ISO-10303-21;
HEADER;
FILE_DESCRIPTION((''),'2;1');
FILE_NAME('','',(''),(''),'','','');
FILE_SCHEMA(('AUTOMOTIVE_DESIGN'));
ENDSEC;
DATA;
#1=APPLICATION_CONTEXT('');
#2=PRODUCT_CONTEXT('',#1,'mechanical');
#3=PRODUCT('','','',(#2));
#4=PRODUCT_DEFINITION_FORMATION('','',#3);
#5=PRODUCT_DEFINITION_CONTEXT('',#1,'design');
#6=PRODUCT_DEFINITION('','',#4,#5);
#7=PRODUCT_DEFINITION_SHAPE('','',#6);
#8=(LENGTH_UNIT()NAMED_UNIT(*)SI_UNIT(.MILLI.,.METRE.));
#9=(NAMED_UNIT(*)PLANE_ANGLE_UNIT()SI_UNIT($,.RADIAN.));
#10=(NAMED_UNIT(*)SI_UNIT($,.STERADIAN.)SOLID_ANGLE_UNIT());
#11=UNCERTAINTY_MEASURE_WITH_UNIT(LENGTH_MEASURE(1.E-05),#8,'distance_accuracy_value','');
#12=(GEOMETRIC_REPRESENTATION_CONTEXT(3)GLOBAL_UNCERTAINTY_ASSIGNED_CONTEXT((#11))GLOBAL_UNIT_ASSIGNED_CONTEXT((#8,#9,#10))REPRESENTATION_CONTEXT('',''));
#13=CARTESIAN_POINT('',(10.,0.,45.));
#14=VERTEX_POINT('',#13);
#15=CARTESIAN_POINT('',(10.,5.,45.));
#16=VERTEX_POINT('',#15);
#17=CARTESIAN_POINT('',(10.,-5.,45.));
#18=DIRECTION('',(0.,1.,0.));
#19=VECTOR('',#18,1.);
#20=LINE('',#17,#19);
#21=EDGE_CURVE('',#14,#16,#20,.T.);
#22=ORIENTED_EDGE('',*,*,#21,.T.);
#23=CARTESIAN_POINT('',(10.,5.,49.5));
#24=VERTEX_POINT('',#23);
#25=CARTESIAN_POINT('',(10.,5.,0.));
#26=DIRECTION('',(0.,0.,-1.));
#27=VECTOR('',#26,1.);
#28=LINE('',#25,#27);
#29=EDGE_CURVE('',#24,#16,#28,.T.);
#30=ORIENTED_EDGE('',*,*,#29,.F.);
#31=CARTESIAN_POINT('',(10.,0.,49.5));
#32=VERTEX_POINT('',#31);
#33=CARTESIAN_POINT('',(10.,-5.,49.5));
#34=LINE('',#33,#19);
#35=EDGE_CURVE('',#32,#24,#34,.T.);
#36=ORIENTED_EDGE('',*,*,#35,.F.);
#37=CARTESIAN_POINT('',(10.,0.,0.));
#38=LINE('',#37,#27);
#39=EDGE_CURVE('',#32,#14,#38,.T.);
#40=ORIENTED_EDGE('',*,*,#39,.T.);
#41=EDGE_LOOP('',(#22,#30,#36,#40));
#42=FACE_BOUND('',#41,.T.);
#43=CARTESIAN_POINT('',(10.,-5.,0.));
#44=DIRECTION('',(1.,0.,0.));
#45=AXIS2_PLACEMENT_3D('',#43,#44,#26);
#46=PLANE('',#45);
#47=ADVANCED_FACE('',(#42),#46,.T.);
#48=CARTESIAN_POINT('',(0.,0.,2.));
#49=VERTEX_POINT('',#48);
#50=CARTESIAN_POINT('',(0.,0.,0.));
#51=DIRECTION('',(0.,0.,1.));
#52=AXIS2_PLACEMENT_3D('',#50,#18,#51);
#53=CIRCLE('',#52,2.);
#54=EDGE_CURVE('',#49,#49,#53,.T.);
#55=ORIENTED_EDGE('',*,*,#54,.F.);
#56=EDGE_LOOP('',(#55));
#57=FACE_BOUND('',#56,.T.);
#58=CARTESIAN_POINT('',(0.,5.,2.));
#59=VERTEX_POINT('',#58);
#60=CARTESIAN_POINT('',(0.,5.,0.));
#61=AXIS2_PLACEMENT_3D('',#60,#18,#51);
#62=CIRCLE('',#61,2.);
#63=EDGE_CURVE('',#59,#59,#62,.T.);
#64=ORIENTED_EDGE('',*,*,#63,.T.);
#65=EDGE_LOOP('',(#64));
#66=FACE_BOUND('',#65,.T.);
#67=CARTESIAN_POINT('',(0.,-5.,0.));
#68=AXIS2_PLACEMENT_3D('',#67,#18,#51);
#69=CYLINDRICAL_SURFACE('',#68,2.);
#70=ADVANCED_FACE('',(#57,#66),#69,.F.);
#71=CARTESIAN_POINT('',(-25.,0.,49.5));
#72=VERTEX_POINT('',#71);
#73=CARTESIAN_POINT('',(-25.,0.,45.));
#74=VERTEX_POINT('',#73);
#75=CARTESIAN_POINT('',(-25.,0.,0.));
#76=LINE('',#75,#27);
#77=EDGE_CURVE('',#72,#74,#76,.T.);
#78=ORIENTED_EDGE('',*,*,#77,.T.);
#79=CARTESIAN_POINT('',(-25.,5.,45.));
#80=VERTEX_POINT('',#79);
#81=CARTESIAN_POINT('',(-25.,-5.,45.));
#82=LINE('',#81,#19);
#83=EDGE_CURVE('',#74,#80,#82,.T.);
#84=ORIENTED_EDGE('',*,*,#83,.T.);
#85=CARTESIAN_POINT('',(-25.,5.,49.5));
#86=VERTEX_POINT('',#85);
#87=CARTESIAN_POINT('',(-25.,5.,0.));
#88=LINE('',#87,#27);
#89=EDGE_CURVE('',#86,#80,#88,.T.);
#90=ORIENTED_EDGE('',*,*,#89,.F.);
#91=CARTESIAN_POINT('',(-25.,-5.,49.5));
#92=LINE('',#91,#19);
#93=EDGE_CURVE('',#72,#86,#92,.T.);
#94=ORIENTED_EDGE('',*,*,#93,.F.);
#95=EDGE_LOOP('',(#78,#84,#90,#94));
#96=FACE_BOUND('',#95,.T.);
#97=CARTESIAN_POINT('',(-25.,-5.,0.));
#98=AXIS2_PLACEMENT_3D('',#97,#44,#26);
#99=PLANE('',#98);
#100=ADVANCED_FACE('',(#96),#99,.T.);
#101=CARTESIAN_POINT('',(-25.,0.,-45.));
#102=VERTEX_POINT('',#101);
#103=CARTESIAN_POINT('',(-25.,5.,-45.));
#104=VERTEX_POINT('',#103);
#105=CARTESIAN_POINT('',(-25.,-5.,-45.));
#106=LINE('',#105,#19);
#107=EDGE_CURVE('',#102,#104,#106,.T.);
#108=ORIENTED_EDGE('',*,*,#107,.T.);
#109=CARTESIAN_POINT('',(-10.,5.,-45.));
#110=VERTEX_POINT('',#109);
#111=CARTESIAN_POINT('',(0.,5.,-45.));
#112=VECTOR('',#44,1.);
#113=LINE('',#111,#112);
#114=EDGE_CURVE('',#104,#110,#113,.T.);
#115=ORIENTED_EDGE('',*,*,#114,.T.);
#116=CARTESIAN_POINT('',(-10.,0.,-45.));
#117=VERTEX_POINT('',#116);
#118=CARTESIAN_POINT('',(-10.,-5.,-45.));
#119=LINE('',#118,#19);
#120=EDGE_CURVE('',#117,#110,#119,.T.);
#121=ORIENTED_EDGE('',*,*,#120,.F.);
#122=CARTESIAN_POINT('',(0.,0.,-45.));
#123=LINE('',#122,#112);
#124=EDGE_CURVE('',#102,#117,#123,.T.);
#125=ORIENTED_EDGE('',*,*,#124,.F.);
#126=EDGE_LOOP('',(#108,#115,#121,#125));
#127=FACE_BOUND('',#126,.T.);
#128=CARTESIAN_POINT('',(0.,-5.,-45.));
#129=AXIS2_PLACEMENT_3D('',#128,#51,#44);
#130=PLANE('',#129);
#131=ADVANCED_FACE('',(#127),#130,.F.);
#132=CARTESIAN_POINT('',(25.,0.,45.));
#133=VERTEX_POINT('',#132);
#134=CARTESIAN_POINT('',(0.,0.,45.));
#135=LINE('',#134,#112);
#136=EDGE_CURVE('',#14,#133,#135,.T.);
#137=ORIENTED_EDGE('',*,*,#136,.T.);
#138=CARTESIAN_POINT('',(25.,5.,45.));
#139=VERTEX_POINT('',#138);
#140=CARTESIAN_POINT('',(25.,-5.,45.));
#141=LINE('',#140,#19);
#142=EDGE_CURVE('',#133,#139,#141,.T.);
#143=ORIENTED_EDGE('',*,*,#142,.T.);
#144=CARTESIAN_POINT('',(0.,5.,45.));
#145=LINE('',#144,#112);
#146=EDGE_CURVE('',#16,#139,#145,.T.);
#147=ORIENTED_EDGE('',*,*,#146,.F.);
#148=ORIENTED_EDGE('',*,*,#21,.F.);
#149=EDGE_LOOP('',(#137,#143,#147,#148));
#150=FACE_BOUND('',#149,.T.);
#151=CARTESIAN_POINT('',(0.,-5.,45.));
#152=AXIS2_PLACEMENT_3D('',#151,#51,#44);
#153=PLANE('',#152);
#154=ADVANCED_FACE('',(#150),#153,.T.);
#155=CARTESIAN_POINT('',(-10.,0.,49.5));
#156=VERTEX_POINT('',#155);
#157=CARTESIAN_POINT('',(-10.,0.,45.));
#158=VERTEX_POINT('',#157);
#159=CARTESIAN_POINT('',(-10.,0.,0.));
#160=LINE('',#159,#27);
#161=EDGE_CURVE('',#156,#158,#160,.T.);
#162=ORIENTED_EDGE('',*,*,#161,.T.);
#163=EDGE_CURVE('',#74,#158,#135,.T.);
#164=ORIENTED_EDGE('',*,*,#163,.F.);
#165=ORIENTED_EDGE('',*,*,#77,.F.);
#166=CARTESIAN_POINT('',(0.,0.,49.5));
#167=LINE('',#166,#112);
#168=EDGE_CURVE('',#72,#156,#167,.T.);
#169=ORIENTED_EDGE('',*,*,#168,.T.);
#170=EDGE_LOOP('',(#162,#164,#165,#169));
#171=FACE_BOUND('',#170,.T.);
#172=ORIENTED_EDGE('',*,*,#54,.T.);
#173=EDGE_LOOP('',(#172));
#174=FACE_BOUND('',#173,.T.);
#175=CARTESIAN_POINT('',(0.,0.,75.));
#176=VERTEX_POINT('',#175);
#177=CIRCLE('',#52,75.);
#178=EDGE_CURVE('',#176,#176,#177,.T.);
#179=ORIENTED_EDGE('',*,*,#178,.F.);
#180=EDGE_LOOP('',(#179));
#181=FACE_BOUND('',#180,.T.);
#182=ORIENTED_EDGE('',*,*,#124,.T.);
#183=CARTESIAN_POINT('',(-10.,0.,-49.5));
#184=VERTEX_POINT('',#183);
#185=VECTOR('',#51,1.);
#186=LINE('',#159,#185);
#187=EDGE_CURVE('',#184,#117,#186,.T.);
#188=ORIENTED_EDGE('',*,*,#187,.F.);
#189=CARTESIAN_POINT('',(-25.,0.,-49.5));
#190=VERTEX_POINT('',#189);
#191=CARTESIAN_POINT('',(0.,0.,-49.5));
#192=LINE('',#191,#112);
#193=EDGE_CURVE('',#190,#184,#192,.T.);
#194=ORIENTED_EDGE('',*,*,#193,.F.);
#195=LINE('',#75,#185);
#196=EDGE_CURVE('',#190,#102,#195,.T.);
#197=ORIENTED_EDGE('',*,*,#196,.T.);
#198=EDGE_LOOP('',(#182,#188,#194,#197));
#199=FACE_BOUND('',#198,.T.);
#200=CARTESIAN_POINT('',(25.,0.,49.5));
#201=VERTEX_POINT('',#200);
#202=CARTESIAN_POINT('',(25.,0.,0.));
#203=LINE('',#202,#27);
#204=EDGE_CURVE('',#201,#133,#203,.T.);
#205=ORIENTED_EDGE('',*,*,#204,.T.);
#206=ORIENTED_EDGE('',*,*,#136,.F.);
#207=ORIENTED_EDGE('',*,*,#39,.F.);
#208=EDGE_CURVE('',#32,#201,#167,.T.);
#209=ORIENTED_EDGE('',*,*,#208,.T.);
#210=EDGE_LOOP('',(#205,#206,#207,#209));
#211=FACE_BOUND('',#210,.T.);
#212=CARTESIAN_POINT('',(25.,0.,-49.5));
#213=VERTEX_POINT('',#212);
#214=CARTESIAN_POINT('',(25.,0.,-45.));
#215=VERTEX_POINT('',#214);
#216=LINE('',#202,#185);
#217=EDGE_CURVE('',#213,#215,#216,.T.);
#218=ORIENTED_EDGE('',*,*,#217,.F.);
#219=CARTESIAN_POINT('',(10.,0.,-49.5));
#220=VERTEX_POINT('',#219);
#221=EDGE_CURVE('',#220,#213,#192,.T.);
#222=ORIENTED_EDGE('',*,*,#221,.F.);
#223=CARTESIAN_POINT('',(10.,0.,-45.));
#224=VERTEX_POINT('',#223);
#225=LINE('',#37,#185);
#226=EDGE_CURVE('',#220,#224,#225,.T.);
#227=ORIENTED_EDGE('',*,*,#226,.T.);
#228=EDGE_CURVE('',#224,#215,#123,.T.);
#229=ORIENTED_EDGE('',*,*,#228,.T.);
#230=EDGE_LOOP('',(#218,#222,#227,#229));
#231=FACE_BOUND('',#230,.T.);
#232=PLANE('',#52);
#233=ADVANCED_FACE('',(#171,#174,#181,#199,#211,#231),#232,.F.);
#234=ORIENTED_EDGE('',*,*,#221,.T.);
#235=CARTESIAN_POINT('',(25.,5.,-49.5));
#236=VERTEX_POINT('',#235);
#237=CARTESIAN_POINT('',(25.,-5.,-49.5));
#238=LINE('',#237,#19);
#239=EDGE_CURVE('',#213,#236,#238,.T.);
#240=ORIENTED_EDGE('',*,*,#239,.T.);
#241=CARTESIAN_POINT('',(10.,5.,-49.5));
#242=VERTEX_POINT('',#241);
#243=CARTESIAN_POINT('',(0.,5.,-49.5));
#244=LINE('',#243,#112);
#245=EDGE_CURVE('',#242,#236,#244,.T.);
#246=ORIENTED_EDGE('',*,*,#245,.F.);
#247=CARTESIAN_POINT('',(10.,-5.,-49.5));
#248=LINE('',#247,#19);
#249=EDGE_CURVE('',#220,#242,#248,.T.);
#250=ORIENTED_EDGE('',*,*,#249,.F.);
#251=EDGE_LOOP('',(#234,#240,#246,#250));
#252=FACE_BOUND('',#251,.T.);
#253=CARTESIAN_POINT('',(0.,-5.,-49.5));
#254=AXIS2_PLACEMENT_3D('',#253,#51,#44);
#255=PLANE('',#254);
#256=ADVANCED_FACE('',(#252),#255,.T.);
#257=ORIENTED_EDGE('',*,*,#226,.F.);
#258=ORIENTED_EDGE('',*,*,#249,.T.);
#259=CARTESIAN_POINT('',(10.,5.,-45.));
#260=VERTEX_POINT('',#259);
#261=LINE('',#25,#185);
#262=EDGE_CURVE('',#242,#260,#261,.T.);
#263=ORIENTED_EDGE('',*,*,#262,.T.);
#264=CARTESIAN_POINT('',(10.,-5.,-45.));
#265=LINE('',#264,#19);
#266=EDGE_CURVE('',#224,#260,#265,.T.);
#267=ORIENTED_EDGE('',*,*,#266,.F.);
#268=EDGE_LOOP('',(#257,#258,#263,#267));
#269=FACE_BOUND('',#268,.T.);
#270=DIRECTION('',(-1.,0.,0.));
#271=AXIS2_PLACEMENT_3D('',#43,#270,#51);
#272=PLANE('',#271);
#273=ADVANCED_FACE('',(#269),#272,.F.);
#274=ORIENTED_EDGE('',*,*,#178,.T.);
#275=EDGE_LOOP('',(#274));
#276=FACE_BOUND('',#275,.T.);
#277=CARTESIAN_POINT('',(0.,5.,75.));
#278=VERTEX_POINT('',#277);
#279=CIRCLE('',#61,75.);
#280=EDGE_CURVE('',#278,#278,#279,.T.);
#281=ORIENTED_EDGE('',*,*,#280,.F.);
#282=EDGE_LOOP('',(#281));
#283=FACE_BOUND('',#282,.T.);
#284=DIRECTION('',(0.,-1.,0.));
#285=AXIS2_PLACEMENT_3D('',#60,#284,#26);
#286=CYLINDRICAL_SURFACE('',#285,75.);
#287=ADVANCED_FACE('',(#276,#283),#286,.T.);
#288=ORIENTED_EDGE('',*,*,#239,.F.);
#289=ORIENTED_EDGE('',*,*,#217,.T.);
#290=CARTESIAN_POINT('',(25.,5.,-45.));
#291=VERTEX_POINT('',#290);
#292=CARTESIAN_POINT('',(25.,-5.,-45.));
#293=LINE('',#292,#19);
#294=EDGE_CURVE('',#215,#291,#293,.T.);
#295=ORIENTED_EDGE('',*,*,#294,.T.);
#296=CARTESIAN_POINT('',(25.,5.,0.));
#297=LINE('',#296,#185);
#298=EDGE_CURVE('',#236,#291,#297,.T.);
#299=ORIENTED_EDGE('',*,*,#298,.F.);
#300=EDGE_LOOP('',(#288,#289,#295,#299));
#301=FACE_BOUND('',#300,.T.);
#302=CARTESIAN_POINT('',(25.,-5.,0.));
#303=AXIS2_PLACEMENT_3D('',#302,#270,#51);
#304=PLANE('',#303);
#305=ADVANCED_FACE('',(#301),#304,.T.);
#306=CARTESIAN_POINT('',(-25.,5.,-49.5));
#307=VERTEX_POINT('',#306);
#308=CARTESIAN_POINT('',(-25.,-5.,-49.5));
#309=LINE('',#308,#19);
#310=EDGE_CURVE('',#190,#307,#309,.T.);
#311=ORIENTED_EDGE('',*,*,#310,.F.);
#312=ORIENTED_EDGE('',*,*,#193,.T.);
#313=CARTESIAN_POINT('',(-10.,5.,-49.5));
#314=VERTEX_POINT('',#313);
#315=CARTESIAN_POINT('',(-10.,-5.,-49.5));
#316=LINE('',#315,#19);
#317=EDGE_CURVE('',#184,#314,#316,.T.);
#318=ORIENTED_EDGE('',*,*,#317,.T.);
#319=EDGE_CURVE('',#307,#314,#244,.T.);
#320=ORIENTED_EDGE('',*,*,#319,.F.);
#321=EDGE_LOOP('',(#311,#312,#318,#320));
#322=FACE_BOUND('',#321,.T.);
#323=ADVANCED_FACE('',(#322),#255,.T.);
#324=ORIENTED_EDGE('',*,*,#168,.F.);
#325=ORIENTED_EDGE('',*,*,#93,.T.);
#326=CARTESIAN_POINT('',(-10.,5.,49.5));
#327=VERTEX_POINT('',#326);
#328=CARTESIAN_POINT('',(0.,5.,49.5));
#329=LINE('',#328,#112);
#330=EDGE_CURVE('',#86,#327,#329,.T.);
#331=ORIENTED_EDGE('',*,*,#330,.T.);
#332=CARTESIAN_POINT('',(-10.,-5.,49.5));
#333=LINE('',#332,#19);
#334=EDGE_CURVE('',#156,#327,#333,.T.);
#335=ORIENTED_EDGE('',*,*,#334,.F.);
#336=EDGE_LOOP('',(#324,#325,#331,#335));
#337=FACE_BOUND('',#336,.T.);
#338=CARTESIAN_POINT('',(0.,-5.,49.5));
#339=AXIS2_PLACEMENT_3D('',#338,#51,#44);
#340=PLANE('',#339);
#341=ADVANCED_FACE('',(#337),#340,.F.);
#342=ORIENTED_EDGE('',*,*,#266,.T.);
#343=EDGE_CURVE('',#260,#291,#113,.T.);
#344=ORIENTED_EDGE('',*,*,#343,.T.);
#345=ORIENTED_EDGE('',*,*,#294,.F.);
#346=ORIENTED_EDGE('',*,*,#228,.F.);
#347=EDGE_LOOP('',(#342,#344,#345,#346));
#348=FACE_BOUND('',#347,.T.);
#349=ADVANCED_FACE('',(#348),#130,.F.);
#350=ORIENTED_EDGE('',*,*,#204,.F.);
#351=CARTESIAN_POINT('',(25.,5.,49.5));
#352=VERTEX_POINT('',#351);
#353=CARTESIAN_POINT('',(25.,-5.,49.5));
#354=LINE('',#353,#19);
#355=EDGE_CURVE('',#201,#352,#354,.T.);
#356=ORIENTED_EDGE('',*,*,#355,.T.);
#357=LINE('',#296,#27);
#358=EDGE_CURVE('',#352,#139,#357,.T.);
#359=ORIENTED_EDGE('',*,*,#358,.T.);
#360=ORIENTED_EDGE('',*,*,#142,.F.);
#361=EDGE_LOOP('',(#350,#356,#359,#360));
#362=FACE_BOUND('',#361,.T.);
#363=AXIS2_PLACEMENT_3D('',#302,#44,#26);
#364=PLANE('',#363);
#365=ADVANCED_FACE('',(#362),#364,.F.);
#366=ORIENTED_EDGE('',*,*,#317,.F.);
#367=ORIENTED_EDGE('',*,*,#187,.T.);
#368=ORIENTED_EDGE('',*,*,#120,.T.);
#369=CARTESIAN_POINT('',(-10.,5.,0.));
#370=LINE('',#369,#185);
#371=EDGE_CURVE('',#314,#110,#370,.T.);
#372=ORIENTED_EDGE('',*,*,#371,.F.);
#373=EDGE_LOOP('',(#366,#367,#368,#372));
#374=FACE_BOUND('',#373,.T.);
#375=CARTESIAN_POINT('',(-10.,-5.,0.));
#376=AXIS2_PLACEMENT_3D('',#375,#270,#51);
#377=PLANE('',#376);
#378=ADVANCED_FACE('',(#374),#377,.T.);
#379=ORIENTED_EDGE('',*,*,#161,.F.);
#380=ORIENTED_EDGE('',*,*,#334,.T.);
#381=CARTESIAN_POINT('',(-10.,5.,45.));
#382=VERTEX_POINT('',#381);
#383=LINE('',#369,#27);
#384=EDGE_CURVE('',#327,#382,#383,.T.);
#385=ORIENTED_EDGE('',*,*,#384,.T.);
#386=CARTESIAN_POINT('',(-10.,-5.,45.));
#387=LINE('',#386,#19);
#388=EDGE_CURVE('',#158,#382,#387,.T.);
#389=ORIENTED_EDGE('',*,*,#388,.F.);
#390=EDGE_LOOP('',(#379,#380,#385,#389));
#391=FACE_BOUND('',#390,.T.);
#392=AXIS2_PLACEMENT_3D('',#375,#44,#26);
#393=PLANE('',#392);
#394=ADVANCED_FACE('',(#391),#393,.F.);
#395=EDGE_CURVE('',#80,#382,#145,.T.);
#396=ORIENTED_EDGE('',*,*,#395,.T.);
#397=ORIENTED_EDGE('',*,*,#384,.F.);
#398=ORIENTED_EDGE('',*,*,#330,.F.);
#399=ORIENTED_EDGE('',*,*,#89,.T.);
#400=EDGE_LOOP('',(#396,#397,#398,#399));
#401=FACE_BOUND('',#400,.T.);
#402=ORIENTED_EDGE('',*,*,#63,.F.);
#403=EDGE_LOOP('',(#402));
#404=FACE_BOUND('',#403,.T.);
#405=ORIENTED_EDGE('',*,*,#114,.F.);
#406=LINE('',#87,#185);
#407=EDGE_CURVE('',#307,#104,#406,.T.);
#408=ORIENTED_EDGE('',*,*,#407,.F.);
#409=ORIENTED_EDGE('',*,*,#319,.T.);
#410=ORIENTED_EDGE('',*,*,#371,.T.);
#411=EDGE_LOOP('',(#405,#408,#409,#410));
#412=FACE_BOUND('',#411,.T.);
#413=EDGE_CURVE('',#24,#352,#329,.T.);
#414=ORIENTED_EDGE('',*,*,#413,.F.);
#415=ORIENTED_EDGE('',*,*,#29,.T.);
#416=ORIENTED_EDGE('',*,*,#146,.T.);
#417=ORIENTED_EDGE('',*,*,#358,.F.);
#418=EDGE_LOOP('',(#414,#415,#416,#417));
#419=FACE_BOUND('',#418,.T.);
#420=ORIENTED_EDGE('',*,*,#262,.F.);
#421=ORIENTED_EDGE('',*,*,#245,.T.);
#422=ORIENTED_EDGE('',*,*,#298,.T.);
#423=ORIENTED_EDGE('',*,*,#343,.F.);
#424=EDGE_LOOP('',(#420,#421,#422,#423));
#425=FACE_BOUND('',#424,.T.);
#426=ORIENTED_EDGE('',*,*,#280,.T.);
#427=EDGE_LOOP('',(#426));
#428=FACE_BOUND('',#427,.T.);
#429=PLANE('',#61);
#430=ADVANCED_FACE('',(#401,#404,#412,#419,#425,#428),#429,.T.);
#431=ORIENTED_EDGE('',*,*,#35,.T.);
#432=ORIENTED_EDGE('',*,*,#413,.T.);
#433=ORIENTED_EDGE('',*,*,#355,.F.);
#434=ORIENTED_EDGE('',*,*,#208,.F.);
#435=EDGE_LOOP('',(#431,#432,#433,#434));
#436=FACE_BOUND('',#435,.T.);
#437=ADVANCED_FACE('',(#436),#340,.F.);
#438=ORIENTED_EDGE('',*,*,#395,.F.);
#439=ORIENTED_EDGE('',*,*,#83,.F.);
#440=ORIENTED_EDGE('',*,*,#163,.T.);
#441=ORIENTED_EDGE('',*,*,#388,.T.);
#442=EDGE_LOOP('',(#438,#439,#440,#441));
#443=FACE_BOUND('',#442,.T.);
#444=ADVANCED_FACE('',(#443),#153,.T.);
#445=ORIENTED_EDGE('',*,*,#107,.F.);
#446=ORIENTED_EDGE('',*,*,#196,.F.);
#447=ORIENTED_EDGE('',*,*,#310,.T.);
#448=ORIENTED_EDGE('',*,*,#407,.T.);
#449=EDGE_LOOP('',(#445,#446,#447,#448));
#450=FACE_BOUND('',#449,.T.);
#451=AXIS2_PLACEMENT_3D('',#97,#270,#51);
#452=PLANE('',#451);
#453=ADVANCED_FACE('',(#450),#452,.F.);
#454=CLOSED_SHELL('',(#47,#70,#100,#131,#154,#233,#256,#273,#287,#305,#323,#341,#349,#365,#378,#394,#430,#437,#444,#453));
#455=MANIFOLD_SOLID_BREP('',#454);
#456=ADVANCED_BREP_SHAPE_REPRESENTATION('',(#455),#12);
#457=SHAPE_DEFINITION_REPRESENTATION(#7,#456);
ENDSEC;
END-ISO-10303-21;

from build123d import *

# Parameters (mm, degrees)
SKETCH1_R           = 75
BOSS_EXTRUDE1_DEPTH = 5
SKETCH2_W           = 15
SKETCH2_H           = 4.5
CUT_EXTRUDE1_DEPTH  = 10
SKETCH3_R           = 2
CUT_EXTRUDE2_DEPTH  = 10


with BuildPart() as part:
    # Sketch1 → Boss-Extrude1 (new body)
    with BuildSketch(Plane(origin=(0, 0, 0), x_dir=(1, 0, 0), z_dir=(0, 1, 0))):
        with Locations(Location((0, 0, 0), (0, 0, 270))):
            Circle(SKETCH1_R)
    extrude(amount=BOSS_EXTRUDE1_DEPTH)

    # Sketch2 → Cut-Extrude1 (cut)
    with BuildSketch(Plane(origin=(0, 5, 0), x_dir=(1, 0, 0), z_dir=(0, 1, 0))):
        with Locations((-17.5, 47.25)):
            Rectangle(SKETCH2_W, SKETCH2_H)
        with Locations((17.5, 47.25)):
            Rectangle(SKETCH2_W, SKETCH2_H)
    cut_extrude1 = extrude(amount=-CUT_EXTRUDE1_DEPTH, mode=Mode.SUBTRACT)

    # Mirror1: Cut-Extrude1 across plane
    add(cut_extrude1.mirror(Plane.XY), mode=Mode.SUBTRACT)

    # Sketch3 → Cut-Extrude2 (cut)
    with BuildSketch(Plane(origin=(0, 5, 0), x_dir=(1, 0, 0), z_dir=(0, 1, 0))):
        with Locations(Location((0, 0, 0), (0, 0, 270))):
            Circle(SKETCH3_R)
    extrude(amount=-CUT_EXTRUDE2_DEPTH, mode=Mode.SUBTRACT)


solid = part.part
